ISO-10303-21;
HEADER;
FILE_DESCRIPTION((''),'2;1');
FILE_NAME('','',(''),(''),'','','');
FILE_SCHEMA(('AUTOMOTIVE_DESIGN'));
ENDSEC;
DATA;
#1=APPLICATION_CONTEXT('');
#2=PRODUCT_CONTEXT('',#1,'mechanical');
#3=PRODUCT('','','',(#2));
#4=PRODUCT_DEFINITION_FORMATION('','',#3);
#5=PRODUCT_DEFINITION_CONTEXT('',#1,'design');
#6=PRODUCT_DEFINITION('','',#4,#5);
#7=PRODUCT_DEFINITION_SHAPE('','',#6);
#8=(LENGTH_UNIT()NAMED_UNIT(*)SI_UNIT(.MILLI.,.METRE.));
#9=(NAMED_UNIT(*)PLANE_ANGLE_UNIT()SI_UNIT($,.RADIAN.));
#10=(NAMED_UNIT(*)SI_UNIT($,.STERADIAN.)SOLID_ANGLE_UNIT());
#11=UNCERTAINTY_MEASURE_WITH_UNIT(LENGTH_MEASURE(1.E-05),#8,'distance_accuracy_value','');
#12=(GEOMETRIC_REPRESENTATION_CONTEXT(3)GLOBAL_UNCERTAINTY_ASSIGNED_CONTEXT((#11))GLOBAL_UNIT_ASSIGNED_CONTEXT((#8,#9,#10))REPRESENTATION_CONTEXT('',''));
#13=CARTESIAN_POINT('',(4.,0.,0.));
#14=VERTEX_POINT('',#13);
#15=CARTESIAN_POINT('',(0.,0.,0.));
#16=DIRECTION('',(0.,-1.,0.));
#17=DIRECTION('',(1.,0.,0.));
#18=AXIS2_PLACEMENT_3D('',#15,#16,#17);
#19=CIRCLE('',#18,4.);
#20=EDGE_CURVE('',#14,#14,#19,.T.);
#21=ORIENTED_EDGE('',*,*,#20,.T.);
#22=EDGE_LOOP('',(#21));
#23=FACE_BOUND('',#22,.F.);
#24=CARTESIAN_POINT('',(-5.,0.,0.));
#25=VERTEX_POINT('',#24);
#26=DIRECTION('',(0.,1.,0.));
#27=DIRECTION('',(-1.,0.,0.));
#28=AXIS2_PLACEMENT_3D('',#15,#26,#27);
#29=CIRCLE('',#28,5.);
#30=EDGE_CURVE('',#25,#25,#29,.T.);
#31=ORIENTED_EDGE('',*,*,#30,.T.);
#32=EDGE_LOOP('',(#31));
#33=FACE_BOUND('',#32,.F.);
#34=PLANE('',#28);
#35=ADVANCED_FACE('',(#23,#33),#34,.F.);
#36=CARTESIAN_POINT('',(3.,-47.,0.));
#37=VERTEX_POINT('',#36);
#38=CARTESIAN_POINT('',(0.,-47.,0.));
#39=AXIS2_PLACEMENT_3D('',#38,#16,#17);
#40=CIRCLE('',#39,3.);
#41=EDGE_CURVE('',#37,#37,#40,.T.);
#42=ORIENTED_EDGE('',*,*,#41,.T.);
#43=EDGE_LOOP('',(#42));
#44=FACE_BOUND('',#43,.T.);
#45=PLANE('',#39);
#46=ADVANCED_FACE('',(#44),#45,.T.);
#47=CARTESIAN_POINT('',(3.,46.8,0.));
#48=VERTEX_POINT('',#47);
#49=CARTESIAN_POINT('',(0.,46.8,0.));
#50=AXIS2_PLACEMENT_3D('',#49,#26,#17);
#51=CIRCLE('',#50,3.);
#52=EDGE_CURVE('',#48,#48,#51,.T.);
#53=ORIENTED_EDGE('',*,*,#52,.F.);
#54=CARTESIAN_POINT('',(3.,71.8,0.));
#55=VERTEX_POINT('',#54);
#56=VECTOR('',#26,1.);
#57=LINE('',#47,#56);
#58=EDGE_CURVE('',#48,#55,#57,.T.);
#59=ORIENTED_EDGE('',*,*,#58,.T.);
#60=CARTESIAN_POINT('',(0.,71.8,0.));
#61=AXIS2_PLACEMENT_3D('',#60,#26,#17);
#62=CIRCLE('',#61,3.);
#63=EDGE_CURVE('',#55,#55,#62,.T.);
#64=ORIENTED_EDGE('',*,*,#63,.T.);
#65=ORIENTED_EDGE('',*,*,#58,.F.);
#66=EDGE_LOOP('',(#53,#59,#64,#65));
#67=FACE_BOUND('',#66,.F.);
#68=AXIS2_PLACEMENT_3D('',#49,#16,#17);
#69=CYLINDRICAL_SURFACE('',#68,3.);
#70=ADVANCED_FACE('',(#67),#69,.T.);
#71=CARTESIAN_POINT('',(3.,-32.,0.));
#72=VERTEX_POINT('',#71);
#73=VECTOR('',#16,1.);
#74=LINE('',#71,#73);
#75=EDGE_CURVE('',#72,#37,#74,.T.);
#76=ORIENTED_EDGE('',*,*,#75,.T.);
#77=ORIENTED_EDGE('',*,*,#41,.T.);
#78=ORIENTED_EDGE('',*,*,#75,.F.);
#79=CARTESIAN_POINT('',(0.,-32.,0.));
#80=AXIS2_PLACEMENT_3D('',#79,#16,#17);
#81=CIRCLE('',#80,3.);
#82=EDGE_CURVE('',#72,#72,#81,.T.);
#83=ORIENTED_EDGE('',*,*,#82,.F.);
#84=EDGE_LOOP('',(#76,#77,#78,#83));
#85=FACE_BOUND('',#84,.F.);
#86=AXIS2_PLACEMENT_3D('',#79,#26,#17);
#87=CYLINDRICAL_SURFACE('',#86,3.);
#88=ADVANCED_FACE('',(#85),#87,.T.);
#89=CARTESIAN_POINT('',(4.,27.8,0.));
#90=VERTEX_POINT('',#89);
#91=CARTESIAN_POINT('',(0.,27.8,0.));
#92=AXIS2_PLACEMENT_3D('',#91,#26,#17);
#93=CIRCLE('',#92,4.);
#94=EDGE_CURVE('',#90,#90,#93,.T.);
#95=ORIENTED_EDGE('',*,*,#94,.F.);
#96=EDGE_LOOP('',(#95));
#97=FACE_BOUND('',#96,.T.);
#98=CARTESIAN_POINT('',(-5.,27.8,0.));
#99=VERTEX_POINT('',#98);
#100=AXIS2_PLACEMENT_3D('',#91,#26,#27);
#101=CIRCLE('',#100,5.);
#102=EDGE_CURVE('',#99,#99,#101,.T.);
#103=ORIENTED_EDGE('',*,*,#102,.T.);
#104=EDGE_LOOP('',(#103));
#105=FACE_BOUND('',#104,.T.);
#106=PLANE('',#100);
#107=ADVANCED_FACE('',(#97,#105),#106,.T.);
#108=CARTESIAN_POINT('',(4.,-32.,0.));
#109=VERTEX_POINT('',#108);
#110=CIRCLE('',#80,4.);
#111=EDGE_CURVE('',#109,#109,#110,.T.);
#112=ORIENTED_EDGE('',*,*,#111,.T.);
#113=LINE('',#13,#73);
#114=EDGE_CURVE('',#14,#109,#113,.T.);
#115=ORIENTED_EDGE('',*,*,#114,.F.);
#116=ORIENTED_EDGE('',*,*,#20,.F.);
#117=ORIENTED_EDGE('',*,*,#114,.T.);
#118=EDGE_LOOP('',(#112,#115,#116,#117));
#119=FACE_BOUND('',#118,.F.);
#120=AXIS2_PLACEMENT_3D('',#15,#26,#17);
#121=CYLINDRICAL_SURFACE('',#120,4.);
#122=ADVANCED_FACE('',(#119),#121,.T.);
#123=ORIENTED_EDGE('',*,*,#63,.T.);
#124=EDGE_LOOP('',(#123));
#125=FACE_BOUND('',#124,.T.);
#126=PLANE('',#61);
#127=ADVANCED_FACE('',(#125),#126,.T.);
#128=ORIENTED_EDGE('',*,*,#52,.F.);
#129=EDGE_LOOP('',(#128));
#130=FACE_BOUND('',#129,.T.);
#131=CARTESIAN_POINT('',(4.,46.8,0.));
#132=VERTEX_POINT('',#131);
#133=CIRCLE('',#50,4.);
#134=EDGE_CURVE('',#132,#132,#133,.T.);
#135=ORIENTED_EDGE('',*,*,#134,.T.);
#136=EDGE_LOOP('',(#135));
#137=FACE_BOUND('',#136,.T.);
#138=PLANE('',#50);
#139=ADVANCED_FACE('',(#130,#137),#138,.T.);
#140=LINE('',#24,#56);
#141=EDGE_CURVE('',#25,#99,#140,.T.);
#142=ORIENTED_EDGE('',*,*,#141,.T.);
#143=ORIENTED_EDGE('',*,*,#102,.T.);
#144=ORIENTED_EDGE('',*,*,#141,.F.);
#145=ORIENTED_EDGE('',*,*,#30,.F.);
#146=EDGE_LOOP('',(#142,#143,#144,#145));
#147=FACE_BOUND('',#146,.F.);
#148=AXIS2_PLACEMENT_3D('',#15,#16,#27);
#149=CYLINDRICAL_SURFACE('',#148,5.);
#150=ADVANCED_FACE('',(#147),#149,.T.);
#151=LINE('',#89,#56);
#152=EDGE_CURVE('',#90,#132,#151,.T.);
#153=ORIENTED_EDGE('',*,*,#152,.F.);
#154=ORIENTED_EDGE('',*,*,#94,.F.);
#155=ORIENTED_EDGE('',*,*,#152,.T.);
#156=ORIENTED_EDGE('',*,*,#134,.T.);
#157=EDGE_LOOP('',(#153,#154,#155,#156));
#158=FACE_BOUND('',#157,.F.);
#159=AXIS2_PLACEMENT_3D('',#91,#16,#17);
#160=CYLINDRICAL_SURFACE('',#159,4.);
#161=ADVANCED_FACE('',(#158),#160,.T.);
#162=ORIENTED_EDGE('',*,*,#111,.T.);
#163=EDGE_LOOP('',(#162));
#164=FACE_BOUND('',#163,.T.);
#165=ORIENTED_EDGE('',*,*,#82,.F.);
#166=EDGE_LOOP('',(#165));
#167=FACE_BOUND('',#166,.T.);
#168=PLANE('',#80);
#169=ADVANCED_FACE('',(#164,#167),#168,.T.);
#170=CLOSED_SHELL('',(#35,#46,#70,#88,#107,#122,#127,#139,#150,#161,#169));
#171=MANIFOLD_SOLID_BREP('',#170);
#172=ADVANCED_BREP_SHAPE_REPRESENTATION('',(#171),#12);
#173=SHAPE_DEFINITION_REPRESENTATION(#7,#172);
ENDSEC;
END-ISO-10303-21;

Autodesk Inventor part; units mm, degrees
ref_plane "YZ Plane" through (0, 0, 0) normal (1, 0, 0) x (0, 1, 0)
ref_plane "XZ Plane" through (0, 0, 0) normal (0, 1, 0) x (-1, 0, 0)
ref_plane "XY Plane" through (0, 0, 0) normal (0, 0, 1) x (1, 0, 0)
sketch "スケッチ1" plane through (0, 0, 0) normal (0, 1, 0) x (-1, 0, 0)
  circle A0 centre (0, 0) radius 5
  dimension "d0" = 10
extrude "押し出し1" add sketch "スケッチ1" along normal blind 27.8
sketch "スケッチ2" plane through (0, 27.8, 0) normal (0, 1, 0) x (1, 0, 0)
  circle A0 centre (0, 0) radius 4
  dimension "d3" = 8
extrude "押し出し2" add sketch "スケッチ2" along normal blind 19
sketch "スケッチ3" plane through (0, 46.8, 0) normal (0, 1, 0) x (1, 0, 0)
  circle A0 centre (0, 0) radius 3
  dimension "d6" = 6
extrude "押し出し3" add sketch "スケッチ3" along normal blind 25
sketch "スケッチ4" plane through (0, 0, 0) normal (0, -1, 0) x (1, 0, 0)
  circle A0 centre (0, 0) radius 4 projected
  circle A1 centre (0, 0) radius 4
  dimension "d9" = 8
extrude "押し出し4" add sketch "スケッチ4" along normal blind 32
sketch "スケッチ5" plane through (0, -32, 0) normal (0, -1, 0) x (1, 0, 0)
  circle A0 centre (0, 0) radius 4 projected
  circle A1 centre (0, 0) radius 3
  dimension "d12" = 6
extrude "押し出し5" add sketch "スケッチ5" along normal blind 15 contours A1
properties part number "shoulder1_shaft2"
